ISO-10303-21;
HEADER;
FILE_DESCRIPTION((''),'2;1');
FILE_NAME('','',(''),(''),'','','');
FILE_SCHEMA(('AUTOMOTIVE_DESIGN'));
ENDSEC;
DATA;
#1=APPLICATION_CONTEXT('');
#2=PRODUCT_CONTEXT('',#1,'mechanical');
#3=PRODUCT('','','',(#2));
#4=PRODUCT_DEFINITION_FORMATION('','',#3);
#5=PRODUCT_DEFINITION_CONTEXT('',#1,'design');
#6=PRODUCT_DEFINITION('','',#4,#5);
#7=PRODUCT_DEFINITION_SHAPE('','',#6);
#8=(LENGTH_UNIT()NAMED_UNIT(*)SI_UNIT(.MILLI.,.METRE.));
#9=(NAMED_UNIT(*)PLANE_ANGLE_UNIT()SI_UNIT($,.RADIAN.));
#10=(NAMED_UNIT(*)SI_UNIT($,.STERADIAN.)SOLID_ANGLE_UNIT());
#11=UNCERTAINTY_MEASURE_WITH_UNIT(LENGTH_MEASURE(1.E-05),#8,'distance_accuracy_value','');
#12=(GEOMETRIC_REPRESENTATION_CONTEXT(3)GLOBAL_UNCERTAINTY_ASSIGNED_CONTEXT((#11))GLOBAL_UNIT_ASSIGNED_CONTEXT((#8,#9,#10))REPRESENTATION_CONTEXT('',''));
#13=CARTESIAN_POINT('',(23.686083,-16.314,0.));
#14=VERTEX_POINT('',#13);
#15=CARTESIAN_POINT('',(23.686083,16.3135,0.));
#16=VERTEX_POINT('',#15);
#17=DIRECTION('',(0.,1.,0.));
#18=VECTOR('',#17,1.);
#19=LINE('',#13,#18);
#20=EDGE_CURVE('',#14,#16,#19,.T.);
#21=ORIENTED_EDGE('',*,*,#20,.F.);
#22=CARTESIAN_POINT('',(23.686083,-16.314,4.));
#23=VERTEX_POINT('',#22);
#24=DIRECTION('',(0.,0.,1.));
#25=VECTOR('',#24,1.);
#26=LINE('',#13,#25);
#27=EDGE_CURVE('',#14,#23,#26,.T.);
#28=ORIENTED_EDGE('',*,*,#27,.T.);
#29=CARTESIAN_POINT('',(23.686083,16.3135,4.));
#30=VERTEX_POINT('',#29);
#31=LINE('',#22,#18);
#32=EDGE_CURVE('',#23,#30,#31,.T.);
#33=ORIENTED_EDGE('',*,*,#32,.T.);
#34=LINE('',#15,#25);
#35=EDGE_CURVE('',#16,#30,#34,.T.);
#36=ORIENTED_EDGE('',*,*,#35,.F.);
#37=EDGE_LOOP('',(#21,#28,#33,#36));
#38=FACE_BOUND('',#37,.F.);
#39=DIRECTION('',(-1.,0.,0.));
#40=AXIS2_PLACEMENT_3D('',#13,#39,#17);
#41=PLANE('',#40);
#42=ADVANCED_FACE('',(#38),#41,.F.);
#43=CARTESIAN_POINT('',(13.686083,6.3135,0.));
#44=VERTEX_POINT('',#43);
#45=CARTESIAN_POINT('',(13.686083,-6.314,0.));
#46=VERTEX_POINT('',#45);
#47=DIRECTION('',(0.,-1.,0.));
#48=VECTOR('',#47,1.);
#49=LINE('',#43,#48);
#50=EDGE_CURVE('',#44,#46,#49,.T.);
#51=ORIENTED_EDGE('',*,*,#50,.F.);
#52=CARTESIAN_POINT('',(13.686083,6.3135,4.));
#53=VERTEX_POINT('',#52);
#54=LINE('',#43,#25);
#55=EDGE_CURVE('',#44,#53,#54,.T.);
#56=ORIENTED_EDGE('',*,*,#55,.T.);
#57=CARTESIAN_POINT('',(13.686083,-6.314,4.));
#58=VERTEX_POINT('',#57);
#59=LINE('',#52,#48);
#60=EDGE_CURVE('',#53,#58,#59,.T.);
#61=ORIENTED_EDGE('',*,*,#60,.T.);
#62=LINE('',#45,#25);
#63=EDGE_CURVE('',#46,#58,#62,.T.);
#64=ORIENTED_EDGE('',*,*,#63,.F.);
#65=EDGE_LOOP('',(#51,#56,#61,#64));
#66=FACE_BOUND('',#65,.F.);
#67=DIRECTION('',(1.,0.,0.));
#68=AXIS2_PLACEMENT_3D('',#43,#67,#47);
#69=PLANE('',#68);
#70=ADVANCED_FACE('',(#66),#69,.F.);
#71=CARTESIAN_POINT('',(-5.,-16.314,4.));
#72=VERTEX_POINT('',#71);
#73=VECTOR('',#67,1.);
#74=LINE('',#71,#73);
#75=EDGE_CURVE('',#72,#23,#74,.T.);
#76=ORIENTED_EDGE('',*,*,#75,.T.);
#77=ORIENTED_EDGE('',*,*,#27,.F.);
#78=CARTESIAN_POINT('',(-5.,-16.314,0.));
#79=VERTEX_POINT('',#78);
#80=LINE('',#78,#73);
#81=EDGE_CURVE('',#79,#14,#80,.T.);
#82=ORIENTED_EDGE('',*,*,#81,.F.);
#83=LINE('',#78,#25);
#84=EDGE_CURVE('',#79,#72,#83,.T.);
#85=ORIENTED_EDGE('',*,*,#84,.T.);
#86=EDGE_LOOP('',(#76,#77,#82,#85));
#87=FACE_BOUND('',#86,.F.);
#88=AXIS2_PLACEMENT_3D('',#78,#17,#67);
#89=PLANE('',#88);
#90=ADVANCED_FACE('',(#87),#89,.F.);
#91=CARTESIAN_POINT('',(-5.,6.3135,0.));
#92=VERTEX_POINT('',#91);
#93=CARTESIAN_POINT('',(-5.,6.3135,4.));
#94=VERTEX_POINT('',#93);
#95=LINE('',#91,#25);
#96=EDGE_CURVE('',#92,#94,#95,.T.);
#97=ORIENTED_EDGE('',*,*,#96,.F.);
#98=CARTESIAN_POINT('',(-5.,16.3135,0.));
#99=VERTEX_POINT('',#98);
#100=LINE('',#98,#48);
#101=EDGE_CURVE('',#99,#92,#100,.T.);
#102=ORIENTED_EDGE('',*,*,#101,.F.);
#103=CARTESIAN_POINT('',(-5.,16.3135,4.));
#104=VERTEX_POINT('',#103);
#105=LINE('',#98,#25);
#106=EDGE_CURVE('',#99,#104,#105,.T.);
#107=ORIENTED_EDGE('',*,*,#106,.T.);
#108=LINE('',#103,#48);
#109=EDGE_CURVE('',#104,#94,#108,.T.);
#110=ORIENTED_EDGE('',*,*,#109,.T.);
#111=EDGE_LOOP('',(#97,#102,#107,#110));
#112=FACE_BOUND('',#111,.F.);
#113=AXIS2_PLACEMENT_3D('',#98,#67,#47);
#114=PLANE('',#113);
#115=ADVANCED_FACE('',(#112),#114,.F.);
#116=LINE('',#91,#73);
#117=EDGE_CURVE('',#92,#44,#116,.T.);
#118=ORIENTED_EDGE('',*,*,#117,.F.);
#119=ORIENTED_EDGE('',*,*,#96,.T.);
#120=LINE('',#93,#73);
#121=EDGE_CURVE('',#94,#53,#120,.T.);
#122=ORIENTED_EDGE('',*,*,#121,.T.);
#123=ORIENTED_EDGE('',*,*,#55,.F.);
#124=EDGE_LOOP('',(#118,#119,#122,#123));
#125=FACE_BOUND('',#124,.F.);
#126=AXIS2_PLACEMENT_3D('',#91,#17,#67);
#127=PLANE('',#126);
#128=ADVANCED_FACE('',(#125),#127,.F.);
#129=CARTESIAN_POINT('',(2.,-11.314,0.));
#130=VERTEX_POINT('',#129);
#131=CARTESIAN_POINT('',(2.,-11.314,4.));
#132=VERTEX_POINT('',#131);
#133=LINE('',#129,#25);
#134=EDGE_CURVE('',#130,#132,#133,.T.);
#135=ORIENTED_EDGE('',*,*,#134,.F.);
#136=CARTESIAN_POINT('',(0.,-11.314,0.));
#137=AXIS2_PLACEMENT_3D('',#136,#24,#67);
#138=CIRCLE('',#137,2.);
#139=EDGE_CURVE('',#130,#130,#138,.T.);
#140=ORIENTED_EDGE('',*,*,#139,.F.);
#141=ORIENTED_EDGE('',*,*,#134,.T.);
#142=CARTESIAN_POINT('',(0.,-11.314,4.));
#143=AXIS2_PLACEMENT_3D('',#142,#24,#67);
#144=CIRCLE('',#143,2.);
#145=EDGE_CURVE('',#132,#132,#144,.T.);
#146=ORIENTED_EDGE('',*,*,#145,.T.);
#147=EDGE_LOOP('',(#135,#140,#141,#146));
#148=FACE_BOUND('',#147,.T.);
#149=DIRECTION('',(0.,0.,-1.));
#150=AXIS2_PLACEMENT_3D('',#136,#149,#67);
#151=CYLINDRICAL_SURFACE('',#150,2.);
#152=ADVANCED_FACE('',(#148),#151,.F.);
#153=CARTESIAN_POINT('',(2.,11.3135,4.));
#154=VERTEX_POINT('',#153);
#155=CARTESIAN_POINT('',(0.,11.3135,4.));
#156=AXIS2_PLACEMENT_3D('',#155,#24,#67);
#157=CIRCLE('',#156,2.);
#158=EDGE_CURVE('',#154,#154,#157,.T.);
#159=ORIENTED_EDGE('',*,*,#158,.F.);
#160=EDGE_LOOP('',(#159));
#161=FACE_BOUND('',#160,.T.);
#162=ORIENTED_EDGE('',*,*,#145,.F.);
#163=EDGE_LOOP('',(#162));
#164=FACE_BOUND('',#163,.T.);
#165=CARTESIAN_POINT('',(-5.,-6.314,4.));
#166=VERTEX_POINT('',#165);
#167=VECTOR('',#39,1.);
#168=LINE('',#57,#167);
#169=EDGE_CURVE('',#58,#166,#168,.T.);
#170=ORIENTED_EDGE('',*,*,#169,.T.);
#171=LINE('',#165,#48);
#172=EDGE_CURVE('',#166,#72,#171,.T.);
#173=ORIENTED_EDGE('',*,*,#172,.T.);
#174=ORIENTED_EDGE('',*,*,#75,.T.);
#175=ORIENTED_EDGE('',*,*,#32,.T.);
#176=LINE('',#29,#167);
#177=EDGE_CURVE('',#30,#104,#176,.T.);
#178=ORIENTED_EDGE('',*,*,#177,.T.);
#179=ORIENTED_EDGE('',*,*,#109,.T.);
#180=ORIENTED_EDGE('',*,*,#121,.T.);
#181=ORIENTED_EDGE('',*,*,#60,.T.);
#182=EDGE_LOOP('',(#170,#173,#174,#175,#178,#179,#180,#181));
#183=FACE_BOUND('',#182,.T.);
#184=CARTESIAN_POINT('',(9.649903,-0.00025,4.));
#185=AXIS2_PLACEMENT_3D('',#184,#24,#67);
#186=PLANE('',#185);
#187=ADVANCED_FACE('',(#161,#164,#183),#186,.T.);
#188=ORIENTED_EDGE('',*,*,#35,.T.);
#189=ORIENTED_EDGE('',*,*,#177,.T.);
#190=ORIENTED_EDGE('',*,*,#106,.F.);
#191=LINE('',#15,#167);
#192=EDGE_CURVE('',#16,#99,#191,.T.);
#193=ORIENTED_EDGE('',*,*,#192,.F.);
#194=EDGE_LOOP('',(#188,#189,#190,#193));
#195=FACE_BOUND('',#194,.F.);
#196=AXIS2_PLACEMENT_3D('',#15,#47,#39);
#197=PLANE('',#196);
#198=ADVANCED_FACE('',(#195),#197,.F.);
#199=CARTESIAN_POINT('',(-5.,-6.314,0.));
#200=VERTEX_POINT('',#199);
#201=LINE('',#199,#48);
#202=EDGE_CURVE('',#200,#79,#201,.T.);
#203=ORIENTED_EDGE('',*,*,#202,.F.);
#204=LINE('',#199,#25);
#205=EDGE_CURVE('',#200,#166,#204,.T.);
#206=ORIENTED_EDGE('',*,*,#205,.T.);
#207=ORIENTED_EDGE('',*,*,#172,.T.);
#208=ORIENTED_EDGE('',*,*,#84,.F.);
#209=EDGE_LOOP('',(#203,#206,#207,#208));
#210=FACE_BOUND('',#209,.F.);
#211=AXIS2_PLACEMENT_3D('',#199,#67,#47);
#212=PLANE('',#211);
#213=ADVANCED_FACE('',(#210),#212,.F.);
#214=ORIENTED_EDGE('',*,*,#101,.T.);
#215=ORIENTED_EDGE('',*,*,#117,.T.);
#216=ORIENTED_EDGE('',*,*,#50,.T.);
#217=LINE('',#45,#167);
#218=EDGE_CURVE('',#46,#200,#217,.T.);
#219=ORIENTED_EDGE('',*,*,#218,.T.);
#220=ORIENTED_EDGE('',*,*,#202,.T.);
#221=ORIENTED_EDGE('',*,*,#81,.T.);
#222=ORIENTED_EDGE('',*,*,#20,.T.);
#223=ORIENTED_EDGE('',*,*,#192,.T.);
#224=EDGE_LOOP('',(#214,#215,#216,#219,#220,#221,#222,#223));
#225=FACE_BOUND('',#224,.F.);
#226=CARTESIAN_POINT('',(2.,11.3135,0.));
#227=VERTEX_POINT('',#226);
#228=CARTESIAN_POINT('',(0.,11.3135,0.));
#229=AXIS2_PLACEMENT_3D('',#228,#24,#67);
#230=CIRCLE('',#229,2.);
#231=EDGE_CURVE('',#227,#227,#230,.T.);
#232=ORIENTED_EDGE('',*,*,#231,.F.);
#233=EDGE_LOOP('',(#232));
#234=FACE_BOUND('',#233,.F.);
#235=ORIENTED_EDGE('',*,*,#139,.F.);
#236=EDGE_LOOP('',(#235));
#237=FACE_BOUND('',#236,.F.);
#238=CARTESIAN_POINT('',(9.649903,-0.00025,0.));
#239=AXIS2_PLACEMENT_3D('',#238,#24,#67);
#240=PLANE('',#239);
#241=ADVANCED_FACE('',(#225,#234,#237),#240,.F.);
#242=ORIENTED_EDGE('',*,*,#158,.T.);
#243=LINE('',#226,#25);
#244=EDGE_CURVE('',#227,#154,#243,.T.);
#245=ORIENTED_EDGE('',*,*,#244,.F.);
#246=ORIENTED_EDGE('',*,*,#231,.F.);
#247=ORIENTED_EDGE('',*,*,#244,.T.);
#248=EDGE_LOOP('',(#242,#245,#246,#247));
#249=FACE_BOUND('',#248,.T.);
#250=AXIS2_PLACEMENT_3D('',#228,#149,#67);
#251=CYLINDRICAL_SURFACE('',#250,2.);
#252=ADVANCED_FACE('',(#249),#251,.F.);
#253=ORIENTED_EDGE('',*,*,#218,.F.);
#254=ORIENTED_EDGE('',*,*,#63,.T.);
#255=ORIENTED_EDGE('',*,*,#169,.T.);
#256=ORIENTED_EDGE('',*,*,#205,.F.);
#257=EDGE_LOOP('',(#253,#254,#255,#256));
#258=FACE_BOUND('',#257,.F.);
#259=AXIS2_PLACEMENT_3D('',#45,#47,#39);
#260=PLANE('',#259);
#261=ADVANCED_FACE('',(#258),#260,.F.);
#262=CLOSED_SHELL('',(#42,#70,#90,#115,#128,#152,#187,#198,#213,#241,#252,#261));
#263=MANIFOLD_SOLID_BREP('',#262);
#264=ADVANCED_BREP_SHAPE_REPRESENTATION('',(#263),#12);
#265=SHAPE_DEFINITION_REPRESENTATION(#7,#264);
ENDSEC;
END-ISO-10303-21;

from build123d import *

# Parameters (mm, degrees)
F0_R     = 2
F1_DEPTH = 4


with BuildPart() as f1:
    # F0 (on Top) → F1 (new body)
    with BuildSketch(Plane.XY):
        Polygon((23.686083, 16.3135), (5, 16.3135), (-5, 16.3135), (-5, 6.3135), (5, 6.3135), (13.686083, 6.3135), (13.686083, -6.314), (5, -6.314), (-5, -6.314), (-5, -16.314), (5, -16.314), (23.686083, -16.314), align=None)
        with Locations((0, -11.314)):
            Circle(F0_R, mode=Mode.SUBTRACT)
        with Locations((0, 11.3135)):
            Circle(F0_R, mode=Mode.SUBTRACT)
    extrude(amount=F1_DEPTH)


solid = f1.part
